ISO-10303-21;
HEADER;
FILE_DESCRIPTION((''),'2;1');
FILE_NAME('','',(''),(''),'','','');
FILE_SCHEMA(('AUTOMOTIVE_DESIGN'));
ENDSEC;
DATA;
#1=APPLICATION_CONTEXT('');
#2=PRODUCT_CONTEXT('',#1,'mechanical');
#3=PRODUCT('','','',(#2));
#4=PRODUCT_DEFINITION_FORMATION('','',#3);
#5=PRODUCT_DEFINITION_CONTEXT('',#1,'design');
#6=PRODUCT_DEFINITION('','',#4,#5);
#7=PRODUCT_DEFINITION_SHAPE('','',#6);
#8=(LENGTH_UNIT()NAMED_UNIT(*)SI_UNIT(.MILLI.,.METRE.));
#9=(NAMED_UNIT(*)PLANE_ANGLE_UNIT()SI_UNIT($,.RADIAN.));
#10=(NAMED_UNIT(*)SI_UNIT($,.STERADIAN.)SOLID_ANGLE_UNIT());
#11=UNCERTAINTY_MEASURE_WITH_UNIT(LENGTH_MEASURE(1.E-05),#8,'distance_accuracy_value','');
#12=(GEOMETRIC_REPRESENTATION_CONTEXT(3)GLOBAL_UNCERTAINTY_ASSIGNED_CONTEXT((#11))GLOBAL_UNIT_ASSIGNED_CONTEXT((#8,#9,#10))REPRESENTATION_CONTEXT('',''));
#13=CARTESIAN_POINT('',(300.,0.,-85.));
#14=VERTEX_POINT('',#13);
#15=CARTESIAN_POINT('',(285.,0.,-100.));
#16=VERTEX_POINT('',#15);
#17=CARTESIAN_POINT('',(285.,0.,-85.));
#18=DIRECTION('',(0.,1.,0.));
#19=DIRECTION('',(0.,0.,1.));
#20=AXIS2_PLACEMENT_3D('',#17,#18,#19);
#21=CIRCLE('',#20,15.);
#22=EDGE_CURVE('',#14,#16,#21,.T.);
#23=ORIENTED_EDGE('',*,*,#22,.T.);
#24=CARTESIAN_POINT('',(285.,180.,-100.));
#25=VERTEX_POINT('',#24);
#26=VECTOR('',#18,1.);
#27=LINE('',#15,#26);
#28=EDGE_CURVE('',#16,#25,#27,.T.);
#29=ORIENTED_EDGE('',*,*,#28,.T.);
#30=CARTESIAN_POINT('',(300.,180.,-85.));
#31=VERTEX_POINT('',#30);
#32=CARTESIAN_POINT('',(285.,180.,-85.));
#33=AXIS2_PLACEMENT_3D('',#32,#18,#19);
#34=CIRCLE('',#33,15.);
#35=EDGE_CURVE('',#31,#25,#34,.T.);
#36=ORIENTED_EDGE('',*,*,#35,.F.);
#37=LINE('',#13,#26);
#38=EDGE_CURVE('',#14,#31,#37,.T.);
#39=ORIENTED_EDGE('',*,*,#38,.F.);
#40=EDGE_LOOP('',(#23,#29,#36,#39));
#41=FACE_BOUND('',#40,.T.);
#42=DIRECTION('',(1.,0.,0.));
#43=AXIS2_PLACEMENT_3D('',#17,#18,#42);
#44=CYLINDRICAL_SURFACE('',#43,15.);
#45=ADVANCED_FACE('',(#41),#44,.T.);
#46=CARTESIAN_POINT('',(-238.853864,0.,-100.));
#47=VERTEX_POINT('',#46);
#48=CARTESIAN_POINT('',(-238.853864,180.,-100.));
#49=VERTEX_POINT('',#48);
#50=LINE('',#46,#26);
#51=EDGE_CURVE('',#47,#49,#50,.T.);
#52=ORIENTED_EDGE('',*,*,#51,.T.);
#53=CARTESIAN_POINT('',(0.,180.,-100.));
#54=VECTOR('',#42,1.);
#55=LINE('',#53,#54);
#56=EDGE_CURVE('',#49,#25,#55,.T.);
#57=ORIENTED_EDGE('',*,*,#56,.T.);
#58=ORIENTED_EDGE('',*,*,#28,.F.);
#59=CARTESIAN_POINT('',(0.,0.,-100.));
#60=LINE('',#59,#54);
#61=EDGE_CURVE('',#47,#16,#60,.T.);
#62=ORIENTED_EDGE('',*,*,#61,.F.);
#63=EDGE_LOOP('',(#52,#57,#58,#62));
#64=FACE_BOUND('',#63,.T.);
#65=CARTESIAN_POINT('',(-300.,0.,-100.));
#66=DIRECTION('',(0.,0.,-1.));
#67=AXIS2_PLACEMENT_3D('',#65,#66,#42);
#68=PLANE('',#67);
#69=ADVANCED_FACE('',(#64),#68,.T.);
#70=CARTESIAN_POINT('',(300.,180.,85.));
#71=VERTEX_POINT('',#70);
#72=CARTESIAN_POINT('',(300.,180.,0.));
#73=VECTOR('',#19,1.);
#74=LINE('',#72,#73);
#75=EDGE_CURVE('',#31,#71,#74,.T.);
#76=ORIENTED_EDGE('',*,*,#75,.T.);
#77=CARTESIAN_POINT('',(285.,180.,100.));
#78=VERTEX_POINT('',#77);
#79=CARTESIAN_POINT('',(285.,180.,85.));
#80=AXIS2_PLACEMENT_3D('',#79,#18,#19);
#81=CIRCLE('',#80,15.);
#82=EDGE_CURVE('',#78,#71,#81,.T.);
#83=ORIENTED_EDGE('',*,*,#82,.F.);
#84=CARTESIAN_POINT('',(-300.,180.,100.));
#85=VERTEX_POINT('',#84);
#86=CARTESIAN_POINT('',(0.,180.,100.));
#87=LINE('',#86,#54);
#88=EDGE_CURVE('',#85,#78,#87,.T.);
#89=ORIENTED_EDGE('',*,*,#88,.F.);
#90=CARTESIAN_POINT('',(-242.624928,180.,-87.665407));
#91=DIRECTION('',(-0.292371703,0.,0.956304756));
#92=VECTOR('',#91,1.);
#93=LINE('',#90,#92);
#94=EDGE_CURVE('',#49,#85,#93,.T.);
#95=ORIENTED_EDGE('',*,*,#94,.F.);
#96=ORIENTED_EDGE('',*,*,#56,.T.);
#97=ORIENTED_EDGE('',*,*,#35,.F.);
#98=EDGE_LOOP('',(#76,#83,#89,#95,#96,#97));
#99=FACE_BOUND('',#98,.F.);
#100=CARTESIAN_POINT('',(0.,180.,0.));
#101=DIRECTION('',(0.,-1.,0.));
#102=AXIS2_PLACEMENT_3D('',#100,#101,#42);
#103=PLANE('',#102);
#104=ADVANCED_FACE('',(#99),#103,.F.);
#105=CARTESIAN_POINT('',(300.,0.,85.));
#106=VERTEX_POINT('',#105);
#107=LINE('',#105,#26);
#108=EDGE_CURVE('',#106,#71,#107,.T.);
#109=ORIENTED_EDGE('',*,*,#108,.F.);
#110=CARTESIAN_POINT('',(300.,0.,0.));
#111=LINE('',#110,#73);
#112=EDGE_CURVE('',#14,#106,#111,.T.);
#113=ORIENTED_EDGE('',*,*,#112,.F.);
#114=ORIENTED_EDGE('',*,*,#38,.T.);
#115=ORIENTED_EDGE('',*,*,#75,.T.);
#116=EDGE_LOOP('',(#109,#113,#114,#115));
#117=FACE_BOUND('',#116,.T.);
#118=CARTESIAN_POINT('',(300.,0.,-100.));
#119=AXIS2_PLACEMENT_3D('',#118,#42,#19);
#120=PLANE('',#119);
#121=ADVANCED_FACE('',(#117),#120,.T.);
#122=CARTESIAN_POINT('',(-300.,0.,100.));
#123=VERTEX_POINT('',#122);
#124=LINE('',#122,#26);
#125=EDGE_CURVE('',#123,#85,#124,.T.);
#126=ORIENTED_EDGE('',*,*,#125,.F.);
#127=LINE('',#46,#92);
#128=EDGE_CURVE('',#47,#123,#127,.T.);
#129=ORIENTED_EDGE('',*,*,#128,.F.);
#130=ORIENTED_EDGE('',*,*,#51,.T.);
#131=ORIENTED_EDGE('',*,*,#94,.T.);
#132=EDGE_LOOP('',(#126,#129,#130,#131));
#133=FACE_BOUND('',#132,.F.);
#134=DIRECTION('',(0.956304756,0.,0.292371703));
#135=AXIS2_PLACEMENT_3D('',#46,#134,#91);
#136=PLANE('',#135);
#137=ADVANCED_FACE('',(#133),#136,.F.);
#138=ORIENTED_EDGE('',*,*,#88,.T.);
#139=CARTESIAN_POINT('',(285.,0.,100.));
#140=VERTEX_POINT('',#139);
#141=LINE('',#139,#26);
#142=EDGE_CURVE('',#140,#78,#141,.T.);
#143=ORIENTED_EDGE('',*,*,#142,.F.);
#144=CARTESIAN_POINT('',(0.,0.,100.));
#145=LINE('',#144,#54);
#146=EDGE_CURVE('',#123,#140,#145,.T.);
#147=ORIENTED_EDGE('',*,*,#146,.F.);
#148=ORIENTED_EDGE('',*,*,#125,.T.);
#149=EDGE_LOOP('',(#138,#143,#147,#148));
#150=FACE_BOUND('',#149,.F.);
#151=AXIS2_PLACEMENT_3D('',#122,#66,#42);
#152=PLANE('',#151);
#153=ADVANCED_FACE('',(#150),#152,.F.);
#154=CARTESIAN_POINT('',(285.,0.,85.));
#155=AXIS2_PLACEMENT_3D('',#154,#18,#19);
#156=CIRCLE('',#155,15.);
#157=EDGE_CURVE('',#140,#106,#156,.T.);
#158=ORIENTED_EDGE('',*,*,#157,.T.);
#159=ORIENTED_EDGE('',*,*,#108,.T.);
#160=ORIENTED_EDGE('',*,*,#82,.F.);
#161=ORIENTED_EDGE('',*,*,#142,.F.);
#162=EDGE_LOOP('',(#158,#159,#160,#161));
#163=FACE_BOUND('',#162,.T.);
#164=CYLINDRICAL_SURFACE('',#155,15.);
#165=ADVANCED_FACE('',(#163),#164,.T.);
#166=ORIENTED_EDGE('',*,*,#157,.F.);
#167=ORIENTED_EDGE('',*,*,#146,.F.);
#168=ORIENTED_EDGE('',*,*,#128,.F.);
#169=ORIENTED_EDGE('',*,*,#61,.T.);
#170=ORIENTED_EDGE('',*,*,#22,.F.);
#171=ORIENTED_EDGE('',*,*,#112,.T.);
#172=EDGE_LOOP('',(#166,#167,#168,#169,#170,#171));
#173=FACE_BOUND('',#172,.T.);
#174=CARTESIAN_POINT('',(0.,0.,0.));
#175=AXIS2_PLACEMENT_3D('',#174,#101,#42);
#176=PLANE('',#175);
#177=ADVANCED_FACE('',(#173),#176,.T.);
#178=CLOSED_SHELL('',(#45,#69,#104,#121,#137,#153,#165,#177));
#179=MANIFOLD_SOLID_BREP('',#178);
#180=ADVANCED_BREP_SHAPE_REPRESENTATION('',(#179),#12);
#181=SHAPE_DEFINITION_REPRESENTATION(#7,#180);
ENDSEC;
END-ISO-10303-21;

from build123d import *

# Parameters (mm, degrees)
F0_W     = 600
F0_H     = 200
F1_DEPTH = 180
F3_DEPTH = 180.001
F4_R     = 15


with BuildPart() as f1:
    # F0 (on Front) → F1 (new body)
    with BuildSketch(Plane.XZ):
        Rectangle(F0_W, F0_H)
    extrude(amount=-F1_DEPTH)

    # F2 (on face) → F3 (cut, through all)
    with BuildSketch(Plane.XZ):
        Polygon((-238.853864, -100), (-300, 100), (-300, -100), align=None)
    extrude(amount=-F3_DEPTH, mode=Mode.SUBTRACT)

    # F4
    f4_edges = [f1.edges().sort_by_distance(p)[0] for p in [
        (300, 90, 100),
        (300, 90, -100),
    ]]
    fillet(f4_edges, radius=F4_R)


solid = f1.part
